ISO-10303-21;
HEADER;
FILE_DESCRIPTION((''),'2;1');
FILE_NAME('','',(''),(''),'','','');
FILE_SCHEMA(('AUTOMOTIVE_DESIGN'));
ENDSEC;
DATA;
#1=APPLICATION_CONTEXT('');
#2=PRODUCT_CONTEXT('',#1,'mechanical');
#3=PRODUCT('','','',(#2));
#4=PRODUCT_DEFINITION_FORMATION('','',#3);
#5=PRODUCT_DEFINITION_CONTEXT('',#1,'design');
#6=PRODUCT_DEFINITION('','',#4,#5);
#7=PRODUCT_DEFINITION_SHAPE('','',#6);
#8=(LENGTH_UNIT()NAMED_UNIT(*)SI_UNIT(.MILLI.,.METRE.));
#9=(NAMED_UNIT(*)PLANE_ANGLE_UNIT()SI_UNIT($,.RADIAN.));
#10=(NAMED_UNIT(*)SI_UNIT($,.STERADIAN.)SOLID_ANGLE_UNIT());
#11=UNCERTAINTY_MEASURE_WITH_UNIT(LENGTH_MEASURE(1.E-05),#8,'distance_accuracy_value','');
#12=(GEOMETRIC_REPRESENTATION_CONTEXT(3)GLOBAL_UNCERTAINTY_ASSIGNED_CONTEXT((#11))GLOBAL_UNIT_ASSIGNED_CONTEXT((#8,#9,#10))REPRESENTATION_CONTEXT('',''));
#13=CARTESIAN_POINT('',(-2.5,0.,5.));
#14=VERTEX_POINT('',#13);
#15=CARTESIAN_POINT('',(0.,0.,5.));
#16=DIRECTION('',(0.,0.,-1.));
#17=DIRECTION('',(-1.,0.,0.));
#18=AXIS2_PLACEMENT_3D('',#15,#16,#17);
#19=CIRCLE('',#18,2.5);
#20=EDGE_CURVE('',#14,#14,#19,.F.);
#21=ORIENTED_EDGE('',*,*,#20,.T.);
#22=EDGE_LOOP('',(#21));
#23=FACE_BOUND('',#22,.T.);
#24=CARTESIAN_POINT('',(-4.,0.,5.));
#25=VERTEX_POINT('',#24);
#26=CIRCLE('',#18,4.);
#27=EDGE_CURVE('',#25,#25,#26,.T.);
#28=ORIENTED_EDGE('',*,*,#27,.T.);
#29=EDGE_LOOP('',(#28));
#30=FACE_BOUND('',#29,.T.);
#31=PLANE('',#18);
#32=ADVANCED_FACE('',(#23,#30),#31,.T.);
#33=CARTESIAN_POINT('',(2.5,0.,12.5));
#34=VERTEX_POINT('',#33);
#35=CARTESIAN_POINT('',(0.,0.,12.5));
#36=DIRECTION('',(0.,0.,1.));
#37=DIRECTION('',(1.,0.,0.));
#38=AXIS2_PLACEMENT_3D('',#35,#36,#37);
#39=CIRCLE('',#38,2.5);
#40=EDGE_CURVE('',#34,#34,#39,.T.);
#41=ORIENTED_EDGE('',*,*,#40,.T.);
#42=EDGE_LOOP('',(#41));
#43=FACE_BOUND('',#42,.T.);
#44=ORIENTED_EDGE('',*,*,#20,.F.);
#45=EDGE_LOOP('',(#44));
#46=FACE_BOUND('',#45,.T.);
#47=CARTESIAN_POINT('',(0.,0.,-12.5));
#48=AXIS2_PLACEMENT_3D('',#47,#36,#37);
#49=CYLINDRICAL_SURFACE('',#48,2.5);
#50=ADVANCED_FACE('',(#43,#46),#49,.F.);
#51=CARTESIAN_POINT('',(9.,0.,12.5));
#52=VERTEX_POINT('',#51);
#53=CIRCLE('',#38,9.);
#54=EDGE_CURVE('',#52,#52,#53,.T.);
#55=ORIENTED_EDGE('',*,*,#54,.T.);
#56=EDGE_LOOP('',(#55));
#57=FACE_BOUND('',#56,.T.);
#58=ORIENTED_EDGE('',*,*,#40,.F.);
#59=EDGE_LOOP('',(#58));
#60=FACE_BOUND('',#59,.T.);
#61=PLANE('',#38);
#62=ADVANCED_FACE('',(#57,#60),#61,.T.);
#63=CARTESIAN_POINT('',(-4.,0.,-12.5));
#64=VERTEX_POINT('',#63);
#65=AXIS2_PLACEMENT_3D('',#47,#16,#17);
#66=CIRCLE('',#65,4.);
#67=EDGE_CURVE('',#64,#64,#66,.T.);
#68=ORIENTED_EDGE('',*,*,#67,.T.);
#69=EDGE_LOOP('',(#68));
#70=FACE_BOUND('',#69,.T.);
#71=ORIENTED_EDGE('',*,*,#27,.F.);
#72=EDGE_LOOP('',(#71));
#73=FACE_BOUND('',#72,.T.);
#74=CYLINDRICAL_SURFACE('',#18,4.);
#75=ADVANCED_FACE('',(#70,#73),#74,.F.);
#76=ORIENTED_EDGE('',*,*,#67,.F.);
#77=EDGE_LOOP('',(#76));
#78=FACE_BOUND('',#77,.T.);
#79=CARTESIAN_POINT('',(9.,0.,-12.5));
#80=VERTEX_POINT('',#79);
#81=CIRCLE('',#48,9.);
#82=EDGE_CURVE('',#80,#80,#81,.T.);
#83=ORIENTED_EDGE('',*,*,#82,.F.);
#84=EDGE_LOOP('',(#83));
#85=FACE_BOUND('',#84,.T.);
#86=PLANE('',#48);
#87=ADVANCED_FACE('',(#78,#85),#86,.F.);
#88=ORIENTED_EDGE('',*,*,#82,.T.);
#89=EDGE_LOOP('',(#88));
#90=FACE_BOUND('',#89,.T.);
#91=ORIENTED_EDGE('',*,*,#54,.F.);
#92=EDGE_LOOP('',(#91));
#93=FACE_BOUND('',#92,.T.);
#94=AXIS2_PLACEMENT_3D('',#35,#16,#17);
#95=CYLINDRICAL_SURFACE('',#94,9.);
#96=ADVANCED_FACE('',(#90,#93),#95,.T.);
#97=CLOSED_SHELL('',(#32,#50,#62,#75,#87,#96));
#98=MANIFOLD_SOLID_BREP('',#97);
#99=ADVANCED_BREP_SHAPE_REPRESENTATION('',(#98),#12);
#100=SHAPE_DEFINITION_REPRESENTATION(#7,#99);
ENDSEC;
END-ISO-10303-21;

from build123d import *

# Parameters (mm, degrees)
SKETCH1_R           = 9
BOSS_EXTRUDE1_DEPTH = 12.5
SKETCH2_R           = 2.5
CUT_EXTRUDE1_DEPTH  = 26
SKETCH3_R           = 4
CUT_EXTRUDE2_DEPTH  = 17.5


with BuildPart() as part:
    # Sketch1 → Boss-Extrude1 (new body, symmetric)
    with BuildSketch(Plane.XY):
        Circle(SKETCH1_R)
    extrude(amount=BOSS_EXTRUDE1_DEPTH, both=True)

    # Sketch2 → Cut-Extrude1 (cut, through all)
    with BuildSketch(Plane.XY.offset(12.5)):
        Circle(SKETCH2_R)
    extrude(amount=-CUT_EXTRUDE1_DEPTH, mode=Mode.SUBTRACT)

    # Sketch3 → Cut-Extrude2 (cut)
    with BuildSketch(Plane(origin=(0, 0, -12.5), x_dir=(-1, 0, 0), z_dir=(0, 0, -1))):
        Circle(SKETCH3_R)
    extrude(amount=-CUT_EXTRUDE2_DEPTH, mode=Mode.SUBTRACT)


solid = part.part
